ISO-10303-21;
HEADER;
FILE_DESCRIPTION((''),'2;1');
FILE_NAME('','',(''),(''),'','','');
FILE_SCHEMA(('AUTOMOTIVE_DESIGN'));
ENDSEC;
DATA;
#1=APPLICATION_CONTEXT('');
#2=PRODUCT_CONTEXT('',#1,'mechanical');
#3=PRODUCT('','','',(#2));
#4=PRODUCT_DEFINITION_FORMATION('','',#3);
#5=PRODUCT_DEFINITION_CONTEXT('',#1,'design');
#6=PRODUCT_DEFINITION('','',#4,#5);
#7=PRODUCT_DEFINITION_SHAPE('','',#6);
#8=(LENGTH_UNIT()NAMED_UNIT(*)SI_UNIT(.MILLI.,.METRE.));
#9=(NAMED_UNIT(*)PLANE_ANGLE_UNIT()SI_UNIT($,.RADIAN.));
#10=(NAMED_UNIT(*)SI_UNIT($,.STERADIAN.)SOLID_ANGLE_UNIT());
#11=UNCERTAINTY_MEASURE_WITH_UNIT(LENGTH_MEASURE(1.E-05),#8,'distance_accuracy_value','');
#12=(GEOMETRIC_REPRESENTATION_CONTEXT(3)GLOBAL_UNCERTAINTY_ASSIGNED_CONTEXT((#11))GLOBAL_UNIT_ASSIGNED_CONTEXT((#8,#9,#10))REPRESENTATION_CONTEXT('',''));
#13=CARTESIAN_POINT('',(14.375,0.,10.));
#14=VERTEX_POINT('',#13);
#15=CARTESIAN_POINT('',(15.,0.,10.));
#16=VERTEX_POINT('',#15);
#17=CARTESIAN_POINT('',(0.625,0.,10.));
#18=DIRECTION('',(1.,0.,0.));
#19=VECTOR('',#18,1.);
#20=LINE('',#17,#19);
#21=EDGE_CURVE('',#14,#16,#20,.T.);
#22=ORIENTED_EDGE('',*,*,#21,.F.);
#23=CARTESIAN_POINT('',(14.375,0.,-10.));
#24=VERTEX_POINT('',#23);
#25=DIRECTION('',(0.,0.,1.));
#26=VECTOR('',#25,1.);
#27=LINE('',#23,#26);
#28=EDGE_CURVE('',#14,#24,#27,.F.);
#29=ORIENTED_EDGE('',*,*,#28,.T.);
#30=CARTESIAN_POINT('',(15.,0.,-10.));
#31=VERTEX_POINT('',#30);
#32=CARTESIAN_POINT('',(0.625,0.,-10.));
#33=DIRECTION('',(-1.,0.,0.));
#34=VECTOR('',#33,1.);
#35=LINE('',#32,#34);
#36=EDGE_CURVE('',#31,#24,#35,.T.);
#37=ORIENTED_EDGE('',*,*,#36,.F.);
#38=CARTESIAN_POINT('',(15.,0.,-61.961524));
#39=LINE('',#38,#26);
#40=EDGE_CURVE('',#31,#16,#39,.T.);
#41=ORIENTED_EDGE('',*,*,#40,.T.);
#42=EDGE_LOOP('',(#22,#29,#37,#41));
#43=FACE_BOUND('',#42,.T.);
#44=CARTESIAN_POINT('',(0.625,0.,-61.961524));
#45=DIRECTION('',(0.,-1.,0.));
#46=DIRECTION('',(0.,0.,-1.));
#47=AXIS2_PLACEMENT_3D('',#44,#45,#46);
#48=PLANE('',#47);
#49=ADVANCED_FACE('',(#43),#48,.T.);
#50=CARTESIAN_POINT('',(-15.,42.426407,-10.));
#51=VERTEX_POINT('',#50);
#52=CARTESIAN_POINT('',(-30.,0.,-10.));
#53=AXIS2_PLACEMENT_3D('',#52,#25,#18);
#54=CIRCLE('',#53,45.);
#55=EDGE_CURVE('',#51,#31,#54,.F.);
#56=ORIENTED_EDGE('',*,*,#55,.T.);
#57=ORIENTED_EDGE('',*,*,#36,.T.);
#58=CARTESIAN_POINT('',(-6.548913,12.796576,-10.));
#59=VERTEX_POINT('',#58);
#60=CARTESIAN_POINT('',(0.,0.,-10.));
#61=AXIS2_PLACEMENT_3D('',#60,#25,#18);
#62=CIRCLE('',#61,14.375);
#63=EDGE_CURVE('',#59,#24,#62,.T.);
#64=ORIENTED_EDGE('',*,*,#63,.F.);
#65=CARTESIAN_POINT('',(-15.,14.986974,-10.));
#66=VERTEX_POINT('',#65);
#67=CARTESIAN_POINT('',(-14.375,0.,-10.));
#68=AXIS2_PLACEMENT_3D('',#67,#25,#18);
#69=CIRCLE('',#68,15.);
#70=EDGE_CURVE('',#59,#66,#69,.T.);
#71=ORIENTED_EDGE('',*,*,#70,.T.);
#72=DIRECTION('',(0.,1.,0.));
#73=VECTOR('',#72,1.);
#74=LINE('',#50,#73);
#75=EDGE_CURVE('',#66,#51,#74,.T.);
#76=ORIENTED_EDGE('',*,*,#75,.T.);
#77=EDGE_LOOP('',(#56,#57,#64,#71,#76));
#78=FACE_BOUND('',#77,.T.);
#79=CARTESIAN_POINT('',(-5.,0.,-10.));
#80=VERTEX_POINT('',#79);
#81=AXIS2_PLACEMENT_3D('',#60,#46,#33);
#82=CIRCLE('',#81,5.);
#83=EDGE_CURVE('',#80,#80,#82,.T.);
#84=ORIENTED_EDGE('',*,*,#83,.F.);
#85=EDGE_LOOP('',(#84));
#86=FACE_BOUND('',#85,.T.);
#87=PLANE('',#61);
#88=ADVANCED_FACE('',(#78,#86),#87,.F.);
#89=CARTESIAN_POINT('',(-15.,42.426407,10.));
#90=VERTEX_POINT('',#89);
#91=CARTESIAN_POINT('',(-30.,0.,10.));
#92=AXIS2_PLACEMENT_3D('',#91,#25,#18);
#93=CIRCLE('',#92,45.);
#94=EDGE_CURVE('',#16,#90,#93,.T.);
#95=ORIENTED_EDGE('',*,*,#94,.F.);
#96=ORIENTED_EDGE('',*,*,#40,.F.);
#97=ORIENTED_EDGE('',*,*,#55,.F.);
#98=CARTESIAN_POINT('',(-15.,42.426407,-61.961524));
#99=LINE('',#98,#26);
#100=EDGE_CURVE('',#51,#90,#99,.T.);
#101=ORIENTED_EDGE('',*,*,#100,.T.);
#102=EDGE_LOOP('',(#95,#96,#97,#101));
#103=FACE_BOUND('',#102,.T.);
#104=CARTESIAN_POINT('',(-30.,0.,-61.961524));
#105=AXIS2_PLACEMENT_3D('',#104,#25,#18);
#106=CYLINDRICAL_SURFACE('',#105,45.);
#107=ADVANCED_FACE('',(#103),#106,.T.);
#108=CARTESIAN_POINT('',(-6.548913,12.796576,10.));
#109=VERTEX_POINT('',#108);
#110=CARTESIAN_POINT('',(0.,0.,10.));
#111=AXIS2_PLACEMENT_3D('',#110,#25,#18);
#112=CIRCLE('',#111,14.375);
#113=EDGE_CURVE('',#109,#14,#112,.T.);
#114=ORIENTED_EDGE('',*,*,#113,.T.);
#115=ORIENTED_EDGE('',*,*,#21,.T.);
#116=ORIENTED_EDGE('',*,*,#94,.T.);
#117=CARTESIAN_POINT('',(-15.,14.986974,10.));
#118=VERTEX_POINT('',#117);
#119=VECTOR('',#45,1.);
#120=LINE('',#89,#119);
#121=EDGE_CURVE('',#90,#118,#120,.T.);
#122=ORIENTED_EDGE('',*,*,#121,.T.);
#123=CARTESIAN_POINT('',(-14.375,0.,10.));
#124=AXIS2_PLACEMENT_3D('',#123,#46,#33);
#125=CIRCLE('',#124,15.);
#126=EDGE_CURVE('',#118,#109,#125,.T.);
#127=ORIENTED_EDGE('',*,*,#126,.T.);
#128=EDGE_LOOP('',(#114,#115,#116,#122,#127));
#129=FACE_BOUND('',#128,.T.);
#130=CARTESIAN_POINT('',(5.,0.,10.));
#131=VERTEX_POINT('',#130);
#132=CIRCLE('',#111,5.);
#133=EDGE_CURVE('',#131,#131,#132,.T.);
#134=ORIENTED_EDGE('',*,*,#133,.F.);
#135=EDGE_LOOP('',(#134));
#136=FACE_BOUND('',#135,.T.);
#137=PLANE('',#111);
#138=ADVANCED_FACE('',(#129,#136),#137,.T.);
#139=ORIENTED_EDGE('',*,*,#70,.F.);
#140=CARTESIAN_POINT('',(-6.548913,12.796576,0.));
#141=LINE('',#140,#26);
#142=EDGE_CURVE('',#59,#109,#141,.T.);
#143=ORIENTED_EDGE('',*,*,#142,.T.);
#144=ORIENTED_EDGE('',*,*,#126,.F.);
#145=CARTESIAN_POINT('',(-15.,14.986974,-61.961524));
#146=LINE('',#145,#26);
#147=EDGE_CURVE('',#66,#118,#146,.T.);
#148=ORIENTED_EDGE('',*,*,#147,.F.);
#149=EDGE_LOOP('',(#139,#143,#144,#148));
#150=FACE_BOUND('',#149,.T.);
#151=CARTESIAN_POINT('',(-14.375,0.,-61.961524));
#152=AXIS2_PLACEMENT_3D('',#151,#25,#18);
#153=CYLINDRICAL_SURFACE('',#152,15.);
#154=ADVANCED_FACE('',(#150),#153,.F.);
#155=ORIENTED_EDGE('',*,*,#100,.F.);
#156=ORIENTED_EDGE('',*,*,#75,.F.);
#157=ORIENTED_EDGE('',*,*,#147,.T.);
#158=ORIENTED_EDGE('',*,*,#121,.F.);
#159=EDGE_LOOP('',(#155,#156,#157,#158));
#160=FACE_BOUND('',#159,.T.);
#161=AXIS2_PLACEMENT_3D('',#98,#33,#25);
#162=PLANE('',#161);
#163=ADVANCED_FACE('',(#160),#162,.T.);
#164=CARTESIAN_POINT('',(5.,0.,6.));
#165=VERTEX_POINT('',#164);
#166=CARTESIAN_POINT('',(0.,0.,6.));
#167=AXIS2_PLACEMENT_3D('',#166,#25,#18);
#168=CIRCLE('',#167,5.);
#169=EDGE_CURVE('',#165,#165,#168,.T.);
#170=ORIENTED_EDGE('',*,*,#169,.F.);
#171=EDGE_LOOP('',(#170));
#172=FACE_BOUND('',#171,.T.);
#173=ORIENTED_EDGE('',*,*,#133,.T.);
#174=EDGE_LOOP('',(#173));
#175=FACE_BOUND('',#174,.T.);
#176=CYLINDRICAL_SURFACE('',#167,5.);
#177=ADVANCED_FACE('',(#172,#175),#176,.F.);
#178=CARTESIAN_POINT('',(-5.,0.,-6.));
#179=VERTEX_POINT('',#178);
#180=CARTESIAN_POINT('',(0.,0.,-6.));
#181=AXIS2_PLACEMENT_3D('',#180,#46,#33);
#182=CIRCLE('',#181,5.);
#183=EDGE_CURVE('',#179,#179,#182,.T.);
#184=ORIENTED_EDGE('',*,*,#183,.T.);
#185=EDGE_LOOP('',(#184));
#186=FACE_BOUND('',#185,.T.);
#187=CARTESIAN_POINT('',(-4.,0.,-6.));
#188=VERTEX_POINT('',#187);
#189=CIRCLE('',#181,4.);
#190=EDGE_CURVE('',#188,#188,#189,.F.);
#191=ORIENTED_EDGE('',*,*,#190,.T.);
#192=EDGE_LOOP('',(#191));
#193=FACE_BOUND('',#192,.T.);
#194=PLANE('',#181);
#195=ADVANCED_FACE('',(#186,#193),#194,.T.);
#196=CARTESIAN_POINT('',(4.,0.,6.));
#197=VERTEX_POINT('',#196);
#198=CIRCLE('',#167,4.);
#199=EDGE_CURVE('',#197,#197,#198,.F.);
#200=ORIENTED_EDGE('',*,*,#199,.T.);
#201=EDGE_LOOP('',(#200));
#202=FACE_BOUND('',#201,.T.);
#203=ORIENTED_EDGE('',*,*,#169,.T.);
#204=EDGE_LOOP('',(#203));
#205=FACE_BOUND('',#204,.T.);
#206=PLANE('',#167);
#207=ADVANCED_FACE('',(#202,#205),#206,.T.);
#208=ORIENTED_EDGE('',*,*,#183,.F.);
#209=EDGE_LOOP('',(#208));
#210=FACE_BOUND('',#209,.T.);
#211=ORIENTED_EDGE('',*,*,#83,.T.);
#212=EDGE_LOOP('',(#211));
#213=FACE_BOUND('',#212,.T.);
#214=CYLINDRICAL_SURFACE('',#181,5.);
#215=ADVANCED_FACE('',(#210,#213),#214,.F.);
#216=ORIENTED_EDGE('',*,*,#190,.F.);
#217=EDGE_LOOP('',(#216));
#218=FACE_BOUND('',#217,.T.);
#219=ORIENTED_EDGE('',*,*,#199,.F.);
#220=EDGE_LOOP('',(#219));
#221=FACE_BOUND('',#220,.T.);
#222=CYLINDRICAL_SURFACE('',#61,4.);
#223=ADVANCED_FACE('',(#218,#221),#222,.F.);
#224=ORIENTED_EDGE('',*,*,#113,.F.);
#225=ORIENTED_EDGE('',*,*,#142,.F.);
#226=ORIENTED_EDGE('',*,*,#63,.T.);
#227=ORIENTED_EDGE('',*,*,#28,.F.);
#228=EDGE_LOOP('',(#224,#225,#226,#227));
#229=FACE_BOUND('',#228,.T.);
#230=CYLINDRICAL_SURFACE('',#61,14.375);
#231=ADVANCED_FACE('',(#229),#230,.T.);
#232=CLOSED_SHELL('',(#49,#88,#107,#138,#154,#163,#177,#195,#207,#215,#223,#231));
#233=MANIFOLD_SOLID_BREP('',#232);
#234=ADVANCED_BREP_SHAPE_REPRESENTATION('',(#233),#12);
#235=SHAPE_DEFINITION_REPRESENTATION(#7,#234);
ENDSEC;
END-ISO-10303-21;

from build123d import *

# Parameters (mm, degrees)
SKETCH_1_R           = 14.375
EXTRUDE_1_DEPTH      = 10
EXTRUDE_1_DEPTH_BACK = 10
EXTRUDE_2_DEPTH      = 20
SKETCH_10_R          = 4
CUT_EXTRUDE_1_DEPTH  = 21
SKETCH_11_R          = 5
CUT_EXTRUDE_2_DEPTH  = 4
SKETCH_12_R          = 5
CUT_EXTRUDE_3_DEPTH  = 4


with BuildPart() as part:
    # 草图1 → 凸台-拉伸1 (new body, two sides)
    with BuildSketch(Plane.XY) as extrude_1_sk:
        Circle(SKETCH_1_R)
    extrude(amount=EXTRUDE_1_DEPTH)
    extrude(extrude_1_sk.sketch, amount=-EXTRUDE_1_DEPTH_BACK)

    # 草图2 → 凸台-拉伸2 (add)
    with BuildSketch(Plane.XY.offset(10)):
        with BuildLine():
            Line((-15, 42.426406871), (-15, 14.98697351))
            ThreePointArc((-15, 14.98697351), (-3.991720171, 10.825317547), (0.625, 0))
            Line((0.625, 0), (15, 0))
            ThreePointArc((15, 0), (6.742346142, 25.980762114), (-15, 42.426406871))
        make_face()
    extrude(amount=-EXTRUDE_2_DEPTH)

    # 草图10 → 切除-拉伸1 (cut, through all)
    with BuildSketch(Plane.XY.offset(10)):
        Circle(SKETCH_10_R)
    extrude(amount=-CUT_EXTRUDE_1_DEPTH, mode=Mode.SUBTRACT)

    # 草图11 → 切除-拉伸2 (cut)
    with BuildSketch(Plane(origin=(0, 0, -10), x_dir=(-1, 0, 0), z_dir=(0, 0, -1))):
        Circle(SKETCH_11_R)
    extrude(amount=-CUT_EXTRUDE_2_DEPTH, mode=Mode.SUBTRACT)

    # 草图12 → 切除-拉伸3 (cut)
    with BuildSketch(Plane.XY.offset(10)):
        Circle(SKETCH_12_R)
    extrude(amount=-CUT_EXTRUDE_3_DEPTH, mode=Mode.SUBTRACT)


solid = part.part
